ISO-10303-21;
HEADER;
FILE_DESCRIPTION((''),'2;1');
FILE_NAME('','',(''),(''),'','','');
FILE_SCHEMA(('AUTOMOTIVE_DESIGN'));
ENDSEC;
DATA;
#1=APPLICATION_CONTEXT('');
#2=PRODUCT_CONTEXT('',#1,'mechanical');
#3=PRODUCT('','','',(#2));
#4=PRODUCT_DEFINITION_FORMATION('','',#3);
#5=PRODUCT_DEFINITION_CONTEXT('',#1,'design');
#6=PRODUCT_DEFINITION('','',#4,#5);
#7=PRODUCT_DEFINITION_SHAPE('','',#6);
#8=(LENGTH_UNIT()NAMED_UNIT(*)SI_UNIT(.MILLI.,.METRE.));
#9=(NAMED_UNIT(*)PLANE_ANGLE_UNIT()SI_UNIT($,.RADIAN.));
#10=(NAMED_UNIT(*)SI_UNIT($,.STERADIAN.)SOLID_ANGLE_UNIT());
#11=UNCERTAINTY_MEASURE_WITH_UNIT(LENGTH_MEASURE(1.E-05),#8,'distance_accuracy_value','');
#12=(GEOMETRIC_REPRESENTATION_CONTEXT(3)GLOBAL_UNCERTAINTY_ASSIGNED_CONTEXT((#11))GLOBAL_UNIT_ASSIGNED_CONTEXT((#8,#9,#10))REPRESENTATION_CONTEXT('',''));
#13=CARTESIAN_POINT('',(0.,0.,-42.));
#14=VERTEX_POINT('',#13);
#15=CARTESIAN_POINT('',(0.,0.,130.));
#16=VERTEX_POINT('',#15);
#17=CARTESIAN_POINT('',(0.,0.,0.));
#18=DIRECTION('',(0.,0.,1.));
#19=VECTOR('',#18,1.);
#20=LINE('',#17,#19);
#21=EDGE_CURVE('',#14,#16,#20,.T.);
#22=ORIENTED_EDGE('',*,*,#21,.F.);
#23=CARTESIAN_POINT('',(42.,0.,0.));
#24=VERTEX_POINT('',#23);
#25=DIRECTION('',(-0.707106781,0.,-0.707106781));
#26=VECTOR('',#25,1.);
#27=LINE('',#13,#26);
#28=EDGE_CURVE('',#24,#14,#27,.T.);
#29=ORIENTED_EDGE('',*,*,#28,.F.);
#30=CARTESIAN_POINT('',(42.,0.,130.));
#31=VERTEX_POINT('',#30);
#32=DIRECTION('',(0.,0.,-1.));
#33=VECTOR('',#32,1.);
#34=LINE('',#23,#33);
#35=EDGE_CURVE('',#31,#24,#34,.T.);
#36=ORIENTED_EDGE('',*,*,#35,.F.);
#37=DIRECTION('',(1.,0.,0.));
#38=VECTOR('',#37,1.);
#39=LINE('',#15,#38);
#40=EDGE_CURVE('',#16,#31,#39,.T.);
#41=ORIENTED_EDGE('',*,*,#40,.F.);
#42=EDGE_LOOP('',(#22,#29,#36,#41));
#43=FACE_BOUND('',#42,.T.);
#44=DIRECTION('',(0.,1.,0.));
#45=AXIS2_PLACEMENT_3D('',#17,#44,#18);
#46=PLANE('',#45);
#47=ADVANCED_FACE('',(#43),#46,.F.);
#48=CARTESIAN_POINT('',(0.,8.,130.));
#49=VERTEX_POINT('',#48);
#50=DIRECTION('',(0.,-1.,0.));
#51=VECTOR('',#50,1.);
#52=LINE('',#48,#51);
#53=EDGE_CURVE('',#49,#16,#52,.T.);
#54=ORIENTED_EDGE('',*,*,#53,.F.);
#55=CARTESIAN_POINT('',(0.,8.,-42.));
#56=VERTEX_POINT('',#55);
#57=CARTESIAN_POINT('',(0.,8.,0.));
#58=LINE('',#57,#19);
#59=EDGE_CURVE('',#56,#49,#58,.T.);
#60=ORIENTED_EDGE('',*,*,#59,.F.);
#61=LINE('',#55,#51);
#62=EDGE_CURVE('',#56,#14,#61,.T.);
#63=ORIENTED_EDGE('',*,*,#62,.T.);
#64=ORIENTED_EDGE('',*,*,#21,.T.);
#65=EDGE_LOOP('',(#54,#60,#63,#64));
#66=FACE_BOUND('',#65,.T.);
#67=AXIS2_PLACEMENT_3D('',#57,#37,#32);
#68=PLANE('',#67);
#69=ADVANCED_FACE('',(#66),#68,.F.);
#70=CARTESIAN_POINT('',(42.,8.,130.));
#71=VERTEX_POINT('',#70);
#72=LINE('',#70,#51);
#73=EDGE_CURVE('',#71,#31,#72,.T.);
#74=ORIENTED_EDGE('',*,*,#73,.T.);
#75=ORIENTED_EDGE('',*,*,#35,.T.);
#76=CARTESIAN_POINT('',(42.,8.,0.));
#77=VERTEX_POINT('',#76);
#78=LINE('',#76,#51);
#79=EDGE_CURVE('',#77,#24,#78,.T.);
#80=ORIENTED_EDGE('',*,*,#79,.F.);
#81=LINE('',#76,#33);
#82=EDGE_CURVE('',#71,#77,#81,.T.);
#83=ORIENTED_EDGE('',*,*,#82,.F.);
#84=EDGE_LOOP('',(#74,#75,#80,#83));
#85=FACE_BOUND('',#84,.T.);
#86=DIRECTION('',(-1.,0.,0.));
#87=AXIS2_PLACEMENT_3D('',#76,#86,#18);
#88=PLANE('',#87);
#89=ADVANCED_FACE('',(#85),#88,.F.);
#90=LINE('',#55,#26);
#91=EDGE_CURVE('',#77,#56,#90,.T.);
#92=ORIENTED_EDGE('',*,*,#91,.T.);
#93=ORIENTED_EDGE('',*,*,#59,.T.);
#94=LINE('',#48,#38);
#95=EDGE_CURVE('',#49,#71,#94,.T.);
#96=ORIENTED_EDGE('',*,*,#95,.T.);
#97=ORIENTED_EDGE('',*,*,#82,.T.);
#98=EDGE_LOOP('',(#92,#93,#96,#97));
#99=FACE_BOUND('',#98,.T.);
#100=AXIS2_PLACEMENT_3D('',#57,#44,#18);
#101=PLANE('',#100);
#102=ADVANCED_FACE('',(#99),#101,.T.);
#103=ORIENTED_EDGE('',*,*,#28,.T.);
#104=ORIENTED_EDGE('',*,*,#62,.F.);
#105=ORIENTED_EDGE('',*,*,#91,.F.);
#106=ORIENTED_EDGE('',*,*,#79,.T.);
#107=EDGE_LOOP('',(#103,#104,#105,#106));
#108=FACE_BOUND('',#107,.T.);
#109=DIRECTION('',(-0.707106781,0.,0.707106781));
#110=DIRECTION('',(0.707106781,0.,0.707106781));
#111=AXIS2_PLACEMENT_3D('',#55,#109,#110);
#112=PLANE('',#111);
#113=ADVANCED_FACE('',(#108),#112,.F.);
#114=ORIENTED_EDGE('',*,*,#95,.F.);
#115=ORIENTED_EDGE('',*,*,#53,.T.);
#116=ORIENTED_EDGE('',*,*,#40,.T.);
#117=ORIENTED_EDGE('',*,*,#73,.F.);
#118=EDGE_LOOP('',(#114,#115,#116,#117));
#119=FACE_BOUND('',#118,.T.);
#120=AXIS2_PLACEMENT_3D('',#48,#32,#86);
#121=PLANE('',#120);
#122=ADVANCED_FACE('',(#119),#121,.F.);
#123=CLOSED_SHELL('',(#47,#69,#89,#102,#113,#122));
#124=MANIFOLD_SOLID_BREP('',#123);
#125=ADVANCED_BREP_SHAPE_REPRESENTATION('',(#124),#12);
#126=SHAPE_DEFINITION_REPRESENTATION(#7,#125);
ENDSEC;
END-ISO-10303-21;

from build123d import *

# Parameters (mm, degrees)
EXTRUDE_1_DEPTH = 8


with BuildPart() as part:
    # 草图1 → 凸台-拉伸1 (new body)
    with BuildSketch(Plane(origin=(0, 0, 0), x_dir=(1, 0, 0), z_dir=(0, 1, 0))):
        Polygon((0, 0), (0, 42), (42, 0), (42, -130), (0, -130), align=None)
    extrude(amount=EXTRUDE_1_DEPTH)


solid = part.part
